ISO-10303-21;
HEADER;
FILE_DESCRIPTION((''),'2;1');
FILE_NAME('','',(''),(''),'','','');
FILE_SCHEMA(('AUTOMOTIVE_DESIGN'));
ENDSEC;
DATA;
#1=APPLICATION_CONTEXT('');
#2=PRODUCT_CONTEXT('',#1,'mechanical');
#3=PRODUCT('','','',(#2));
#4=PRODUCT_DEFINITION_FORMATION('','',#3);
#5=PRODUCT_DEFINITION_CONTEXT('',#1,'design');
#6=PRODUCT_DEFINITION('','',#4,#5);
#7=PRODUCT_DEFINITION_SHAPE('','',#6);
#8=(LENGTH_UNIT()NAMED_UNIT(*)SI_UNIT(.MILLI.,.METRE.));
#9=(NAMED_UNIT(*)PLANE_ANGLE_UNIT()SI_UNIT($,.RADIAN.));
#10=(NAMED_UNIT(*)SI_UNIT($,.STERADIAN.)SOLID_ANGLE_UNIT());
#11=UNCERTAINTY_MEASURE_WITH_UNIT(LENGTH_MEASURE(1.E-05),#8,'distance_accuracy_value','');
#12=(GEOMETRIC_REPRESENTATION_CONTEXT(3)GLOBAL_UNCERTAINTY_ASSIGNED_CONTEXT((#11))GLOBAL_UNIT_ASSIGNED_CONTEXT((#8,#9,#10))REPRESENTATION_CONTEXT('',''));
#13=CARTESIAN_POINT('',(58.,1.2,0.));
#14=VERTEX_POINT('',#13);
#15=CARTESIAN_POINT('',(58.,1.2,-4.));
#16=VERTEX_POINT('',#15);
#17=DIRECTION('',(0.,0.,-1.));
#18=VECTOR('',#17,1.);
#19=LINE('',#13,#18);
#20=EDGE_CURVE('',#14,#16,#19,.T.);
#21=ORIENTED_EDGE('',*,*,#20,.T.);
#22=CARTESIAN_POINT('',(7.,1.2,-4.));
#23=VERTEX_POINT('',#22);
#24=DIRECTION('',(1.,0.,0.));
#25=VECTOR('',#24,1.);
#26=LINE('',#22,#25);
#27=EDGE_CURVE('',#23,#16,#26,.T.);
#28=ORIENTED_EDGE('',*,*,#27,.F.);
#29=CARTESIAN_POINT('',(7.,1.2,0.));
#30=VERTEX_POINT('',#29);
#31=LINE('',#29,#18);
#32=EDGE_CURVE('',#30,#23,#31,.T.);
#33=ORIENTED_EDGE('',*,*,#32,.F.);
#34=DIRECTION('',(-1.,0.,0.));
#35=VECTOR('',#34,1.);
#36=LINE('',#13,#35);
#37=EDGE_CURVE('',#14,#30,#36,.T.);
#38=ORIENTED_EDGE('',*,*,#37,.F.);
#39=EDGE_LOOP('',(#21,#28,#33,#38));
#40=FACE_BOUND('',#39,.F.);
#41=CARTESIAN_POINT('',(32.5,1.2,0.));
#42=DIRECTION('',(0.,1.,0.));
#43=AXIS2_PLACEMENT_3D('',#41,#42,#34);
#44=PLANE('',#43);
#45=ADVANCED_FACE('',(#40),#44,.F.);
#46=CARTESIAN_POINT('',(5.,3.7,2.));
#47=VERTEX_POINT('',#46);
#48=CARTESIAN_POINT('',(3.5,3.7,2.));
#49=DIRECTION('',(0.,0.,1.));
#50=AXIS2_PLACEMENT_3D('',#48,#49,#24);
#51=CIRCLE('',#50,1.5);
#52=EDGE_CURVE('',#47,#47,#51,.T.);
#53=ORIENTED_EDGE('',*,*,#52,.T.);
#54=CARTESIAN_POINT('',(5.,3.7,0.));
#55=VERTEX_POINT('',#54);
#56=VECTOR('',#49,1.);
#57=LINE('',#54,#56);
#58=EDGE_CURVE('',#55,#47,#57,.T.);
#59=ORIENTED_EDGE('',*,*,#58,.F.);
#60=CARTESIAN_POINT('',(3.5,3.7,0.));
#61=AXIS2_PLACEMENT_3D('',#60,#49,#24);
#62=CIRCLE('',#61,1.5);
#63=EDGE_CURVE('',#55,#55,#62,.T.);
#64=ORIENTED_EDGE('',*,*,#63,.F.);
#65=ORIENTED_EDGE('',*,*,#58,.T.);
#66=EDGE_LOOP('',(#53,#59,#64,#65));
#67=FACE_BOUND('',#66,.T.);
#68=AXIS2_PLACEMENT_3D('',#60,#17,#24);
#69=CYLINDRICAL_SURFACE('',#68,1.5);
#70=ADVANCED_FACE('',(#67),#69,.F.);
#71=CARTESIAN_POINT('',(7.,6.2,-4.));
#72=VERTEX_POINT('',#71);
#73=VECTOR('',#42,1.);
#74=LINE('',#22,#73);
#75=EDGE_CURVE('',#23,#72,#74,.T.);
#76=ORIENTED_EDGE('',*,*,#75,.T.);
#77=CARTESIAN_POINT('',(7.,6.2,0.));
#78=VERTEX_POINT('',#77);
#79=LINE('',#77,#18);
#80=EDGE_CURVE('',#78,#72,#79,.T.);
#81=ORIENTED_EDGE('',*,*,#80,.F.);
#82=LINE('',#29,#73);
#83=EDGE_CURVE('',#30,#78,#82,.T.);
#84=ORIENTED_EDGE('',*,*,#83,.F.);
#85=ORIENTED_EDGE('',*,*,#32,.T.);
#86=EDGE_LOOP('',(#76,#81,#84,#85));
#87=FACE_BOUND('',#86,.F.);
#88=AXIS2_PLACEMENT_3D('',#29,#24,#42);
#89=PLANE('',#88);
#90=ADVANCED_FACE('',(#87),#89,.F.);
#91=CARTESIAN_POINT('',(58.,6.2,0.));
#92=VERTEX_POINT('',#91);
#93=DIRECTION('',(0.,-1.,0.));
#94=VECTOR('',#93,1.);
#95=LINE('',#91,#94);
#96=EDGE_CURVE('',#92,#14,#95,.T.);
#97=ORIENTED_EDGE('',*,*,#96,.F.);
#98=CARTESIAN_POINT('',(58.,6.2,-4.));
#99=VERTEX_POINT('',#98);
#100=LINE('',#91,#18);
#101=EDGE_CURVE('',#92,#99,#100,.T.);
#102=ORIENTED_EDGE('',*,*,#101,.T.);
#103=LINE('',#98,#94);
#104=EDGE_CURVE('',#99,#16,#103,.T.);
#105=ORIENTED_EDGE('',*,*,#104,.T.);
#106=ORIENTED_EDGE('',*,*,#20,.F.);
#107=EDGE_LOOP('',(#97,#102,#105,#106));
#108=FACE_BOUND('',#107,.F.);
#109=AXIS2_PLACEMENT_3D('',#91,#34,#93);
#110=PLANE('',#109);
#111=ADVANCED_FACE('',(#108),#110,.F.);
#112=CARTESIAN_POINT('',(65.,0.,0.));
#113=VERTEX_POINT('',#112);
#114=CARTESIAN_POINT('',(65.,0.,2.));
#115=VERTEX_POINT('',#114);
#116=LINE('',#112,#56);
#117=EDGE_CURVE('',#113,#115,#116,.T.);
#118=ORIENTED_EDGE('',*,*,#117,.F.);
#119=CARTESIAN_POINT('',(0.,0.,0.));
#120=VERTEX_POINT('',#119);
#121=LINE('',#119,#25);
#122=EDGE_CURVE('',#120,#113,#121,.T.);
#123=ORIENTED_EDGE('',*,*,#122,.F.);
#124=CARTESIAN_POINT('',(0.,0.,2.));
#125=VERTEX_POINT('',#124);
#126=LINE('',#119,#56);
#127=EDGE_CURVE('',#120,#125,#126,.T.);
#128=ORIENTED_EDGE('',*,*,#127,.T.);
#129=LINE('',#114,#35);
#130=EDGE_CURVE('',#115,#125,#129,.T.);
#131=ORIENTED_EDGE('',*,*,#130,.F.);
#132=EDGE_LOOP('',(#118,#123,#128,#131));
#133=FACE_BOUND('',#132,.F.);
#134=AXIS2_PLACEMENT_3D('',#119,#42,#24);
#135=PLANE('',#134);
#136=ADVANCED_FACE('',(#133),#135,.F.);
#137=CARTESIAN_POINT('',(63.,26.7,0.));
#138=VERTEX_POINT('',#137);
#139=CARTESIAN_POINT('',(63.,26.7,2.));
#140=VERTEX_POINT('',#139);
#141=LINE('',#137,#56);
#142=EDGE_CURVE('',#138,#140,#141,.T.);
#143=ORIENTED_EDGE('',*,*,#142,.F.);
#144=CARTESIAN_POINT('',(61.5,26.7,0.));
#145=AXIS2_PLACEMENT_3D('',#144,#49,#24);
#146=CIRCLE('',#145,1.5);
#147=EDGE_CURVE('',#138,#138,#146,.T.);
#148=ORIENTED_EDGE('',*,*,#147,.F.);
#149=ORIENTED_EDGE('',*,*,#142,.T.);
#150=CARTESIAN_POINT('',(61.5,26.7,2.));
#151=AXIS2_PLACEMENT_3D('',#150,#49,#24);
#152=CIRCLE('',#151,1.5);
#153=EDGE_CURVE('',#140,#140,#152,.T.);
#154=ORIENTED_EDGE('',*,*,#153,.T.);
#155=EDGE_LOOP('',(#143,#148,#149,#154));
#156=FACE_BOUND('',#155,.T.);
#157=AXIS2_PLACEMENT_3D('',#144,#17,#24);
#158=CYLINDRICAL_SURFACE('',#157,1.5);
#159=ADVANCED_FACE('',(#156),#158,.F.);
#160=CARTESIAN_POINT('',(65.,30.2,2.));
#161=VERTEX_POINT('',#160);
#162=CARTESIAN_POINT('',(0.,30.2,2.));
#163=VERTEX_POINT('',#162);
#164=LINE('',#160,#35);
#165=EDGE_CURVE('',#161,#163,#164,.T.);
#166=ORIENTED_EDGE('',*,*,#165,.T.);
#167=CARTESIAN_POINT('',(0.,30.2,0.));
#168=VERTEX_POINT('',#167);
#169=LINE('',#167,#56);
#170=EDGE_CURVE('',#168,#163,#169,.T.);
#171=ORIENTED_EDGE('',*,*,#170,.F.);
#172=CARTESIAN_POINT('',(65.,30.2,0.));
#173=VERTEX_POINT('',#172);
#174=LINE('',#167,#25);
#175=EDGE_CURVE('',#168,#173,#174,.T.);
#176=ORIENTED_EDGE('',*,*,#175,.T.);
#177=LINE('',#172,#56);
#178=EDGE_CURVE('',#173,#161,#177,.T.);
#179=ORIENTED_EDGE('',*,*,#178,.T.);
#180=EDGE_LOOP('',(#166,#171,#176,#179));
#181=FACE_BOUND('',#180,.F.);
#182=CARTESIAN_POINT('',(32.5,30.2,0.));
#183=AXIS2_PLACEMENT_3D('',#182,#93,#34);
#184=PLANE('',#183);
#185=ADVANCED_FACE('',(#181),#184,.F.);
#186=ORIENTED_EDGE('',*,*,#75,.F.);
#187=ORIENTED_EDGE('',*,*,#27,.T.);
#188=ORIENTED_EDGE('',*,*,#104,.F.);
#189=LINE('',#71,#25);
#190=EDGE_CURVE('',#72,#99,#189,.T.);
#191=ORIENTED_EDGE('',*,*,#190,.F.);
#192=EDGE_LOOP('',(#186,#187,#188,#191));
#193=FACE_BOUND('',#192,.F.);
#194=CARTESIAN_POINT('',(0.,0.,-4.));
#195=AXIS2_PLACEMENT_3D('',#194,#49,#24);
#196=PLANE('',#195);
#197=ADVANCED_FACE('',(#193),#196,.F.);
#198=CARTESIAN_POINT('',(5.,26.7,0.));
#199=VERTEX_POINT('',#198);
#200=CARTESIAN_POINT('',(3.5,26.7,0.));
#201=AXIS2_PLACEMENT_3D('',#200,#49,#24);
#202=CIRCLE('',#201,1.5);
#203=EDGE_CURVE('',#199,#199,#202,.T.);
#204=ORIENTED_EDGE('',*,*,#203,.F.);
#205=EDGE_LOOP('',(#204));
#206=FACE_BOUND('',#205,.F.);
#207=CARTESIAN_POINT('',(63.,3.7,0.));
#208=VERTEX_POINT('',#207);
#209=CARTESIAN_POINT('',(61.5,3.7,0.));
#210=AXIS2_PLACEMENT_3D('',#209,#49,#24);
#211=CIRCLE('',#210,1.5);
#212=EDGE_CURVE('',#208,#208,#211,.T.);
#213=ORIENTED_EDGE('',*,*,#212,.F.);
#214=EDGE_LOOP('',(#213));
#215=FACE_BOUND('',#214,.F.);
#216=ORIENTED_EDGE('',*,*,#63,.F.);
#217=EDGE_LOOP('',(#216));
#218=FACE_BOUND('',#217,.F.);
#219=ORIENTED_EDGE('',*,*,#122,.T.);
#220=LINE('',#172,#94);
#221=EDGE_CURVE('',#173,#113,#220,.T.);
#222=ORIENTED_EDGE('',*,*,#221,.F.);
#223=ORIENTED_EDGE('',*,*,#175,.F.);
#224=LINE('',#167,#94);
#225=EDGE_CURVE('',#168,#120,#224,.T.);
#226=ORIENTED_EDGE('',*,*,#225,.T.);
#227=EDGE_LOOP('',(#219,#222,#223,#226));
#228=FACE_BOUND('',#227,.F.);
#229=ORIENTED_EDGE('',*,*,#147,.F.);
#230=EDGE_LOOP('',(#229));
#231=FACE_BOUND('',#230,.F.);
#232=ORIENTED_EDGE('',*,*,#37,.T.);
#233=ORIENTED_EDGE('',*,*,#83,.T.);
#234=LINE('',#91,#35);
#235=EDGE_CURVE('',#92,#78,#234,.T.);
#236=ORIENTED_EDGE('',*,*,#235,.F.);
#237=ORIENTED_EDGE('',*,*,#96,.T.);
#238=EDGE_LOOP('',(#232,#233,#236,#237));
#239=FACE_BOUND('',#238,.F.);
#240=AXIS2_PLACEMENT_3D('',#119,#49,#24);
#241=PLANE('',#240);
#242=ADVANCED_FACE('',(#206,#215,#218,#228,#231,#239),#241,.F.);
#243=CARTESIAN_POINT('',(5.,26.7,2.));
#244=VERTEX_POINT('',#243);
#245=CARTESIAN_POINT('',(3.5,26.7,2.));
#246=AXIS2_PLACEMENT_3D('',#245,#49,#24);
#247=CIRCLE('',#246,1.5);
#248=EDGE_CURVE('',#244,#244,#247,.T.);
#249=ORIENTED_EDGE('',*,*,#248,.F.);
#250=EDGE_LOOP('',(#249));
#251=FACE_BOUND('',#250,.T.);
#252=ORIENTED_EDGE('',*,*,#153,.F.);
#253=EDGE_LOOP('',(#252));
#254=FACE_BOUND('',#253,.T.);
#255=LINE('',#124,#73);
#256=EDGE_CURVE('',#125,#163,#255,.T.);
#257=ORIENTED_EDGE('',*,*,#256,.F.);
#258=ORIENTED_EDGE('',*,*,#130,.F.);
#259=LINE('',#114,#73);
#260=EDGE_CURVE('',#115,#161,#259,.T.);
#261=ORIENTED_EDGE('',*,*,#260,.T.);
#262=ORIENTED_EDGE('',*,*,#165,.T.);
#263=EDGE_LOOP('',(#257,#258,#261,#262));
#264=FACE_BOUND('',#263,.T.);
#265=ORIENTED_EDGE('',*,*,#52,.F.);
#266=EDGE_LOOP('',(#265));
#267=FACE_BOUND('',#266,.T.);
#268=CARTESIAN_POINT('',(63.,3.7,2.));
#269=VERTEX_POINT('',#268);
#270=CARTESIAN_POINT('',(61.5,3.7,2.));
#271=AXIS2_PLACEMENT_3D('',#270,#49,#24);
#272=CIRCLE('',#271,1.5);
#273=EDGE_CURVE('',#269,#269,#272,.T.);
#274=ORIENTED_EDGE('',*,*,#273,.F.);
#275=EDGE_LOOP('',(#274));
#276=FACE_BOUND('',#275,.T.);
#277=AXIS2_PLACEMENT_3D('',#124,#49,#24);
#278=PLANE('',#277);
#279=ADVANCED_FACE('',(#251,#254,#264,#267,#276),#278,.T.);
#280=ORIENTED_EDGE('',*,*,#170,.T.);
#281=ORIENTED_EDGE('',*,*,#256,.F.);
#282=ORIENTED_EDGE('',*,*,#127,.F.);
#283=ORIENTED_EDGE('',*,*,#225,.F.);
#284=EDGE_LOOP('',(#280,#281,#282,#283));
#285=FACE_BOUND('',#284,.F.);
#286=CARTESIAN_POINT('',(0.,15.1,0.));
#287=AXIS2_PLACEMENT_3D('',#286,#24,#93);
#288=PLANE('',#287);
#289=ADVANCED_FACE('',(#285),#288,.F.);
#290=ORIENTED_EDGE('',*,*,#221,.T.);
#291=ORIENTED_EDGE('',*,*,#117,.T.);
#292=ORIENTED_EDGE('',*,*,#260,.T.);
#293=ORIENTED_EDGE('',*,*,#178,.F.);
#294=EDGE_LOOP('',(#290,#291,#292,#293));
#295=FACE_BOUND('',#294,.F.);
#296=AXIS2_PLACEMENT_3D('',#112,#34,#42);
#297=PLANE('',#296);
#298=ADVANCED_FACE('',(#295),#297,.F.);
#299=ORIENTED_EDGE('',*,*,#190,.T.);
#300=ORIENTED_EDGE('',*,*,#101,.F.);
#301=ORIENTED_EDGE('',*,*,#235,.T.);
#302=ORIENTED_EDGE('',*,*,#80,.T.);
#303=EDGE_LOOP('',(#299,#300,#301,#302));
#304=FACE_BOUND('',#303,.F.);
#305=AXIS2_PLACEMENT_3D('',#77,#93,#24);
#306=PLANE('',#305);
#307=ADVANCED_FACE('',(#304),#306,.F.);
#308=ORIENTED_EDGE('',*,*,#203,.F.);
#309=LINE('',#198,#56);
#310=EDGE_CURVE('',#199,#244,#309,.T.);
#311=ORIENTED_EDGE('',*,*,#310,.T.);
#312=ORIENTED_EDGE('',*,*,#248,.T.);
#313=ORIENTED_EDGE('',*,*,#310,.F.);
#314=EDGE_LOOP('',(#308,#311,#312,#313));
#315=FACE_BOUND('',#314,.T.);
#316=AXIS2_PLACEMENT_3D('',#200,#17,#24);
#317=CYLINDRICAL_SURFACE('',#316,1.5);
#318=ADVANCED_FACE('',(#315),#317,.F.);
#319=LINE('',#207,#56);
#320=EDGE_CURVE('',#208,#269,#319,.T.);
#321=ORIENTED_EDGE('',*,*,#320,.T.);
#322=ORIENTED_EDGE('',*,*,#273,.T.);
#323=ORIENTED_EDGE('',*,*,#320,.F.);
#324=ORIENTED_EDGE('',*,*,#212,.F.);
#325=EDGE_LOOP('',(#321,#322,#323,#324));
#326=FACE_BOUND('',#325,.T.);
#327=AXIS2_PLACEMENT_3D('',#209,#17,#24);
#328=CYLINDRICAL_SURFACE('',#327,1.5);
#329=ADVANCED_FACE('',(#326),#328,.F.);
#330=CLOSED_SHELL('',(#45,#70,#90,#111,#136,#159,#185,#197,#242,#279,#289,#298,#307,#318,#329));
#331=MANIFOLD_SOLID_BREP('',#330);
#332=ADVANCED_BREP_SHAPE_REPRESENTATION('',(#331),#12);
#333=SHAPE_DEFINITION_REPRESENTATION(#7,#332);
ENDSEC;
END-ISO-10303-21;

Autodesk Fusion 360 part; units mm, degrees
sketch "Sketch1" plane through (0, 0, 0) normal (0, 0, 1) x (1, 0, 0)
  line L0 (0, 0) -> (65, 0)
  line L1 (65, 0) -> (65, 30.2)
  line L2 (65, 30.2) -> (0, 30.2)
  line L3 (0, 30.2) -> (0, 0)
  line L4 (32.5, 30.2) -> (32.5, 0)
  line L5 (65, 15.1) -> (0, 15.1)
  circle A0 centre (3.5, 26.7) radius 1.5
  circle A1 centre (61.5, 26.7) radius 1.5
  circle A2 centre (3.5, 3.7) radius 1.5
  circle A3 centre (61.5, 3.7) radius 1.5
  line L6 (7, 6.2) -> (58, 6.2)
  line L7 (58, 6.2) -> (58, 1.2)
  line L8 (58, 1.2) -> (7, 1.2)
  line L9 (7, 1.2) -> (7, 6.2)
  dimension "d1" = 65
  dimension "d2" = 30.2
  dimension "d3" = 3
  dimension "d4" = 3.5
  dimension "d5" = 3.5
  dimension "d6" = 3
  dimension "d7" = 3.5
  dimension "d8" = 3.7
  dimension "d11" = 51
  dimension "d12" = 5
  dimension "d14" = 1.2
extrude "Extrude1" add sketch "Sketch1" along normal blind 2
extrude "Extrude2" add sketch "Sketch1" against normal blind 4 contours L4 L6 L8 L9 | L4 L6 L7 L8
